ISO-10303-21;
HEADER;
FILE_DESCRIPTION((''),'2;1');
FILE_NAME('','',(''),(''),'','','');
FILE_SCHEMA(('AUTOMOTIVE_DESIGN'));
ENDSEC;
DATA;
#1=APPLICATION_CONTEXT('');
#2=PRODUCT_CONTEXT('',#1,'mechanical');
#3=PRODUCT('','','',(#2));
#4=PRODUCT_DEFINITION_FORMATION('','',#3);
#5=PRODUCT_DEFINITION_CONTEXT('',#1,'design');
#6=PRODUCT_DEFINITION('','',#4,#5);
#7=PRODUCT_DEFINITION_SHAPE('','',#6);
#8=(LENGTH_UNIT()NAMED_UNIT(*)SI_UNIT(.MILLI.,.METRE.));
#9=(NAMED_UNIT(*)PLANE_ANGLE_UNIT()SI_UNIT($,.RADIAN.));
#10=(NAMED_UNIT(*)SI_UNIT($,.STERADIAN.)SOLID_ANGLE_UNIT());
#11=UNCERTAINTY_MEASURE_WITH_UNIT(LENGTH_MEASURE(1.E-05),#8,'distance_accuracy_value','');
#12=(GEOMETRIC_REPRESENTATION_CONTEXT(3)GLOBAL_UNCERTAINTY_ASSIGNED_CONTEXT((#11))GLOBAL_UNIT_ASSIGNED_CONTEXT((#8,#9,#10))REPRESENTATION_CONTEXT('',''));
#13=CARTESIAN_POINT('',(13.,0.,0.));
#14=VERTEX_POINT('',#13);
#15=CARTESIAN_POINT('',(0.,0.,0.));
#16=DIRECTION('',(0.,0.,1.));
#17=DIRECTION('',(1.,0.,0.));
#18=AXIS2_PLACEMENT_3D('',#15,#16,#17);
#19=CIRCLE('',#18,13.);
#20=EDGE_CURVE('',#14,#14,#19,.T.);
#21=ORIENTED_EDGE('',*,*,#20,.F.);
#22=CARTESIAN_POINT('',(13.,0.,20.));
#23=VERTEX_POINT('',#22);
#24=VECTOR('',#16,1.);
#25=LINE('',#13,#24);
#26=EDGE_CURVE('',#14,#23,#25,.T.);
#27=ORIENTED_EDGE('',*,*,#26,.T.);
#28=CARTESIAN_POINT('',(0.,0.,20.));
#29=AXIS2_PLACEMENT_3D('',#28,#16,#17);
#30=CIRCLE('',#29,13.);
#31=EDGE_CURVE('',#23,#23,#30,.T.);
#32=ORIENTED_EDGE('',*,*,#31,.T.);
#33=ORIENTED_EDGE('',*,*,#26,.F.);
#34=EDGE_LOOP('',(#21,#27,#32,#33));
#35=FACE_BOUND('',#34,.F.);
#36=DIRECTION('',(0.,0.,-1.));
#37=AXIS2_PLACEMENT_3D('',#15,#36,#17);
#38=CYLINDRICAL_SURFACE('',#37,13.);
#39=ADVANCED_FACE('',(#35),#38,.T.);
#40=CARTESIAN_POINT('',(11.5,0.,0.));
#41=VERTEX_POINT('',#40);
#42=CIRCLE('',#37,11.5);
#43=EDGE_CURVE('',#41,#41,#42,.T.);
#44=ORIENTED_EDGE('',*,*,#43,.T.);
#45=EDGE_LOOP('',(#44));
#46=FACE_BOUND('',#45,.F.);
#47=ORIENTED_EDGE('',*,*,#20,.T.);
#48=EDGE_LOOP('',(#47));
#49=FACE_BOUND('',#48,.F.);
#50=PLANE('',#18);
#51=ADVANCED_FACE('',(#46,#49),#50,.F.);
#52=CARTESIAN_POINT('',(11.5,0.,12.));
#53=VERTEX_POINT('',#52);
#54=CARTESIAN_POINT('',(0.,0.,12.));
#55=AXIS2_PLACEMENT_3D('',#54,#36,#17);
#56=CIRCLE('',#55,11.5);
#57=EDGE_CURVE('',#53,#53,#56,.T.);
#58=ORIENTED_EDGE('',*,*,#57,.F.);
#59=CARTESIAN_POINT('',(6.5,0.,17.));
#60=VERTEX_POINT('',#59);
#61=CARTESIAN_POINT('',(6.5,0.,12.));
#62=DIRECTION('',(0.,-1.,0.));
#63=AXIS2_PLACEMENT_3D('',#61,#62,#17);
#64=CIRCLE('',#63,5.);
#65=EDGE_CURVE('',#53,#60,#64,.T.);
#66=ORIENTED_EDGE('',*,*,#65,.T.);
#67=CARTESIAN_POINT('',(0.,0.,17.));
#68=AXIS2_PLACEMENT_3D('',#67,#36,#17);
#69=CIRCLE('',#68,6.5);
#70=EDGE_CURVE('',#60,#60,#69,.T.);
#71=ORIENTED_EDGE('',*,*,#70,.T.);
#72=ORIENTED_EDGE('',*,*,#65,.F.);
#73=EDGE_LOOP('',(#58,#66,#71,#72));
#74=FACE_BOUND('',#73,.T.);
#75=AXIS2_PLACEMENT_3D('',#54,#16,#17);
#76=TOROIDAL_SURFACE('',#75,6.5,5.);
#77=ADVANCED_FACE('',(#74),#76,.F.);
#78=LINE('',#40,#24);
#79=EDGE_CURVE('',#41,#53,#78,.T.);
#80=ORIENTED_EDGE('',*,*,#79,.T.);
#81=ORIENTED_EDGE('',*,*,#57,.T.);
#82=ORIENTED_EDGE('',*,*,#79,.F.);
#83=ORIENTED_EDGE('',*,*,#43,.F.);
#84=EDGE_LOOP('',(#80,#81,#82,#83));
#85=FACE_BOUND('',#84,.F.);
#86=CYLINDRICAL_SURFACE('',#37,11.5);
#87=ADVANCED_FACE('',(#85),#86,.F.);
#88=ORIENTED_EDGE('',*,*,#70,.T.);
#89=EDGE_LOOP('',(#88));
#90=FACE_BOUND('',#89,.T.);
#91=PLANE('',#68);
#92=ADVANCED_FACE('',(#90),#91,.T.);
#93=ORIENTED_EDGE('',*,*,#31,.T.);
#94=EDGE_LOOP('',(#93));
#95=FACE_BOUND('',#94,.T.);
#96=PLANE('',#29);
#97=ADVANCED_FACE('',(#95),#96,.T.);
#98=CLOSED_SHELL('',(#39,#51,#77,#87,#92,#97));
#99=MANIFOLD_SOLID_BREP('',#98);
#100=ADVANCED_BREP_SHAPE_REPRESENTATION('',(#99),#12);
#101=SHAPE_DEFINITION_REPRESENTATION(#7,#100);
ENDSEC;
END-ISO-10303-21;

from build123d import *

# Parameters (mm, degrees)
F0_R     = 13
F1_DEPTH = 20
F2_R     = 11.5
F3_DEPTH = 17
F4_R     = 5


with BuildPart() as f1:
    # F0 (on Top) → F1 (new body)
    with BuildSketch(Plane.XY):
        Circle(F0_R)
    extrude(amount=F1_DEPTH)

    # F2 (on face) → F3 (cut)
    with BuildSketch(Plane(origin=(0, 0, 0), x_dir=(1, 0, 0), z_dir=(0, 0, -1))):
        Circle(F2_R)
    extrude(amount=-F3_DEPTH, mode=Mode.SUBTRACT)

    # F4
    f4_edges = [f1.edges().sort_by_distance(p)[0] for p in [
        (-11.5, 0, 17),
    ]]
    fillet(f4_edges, radius=F4_R)


solid = f1.part
